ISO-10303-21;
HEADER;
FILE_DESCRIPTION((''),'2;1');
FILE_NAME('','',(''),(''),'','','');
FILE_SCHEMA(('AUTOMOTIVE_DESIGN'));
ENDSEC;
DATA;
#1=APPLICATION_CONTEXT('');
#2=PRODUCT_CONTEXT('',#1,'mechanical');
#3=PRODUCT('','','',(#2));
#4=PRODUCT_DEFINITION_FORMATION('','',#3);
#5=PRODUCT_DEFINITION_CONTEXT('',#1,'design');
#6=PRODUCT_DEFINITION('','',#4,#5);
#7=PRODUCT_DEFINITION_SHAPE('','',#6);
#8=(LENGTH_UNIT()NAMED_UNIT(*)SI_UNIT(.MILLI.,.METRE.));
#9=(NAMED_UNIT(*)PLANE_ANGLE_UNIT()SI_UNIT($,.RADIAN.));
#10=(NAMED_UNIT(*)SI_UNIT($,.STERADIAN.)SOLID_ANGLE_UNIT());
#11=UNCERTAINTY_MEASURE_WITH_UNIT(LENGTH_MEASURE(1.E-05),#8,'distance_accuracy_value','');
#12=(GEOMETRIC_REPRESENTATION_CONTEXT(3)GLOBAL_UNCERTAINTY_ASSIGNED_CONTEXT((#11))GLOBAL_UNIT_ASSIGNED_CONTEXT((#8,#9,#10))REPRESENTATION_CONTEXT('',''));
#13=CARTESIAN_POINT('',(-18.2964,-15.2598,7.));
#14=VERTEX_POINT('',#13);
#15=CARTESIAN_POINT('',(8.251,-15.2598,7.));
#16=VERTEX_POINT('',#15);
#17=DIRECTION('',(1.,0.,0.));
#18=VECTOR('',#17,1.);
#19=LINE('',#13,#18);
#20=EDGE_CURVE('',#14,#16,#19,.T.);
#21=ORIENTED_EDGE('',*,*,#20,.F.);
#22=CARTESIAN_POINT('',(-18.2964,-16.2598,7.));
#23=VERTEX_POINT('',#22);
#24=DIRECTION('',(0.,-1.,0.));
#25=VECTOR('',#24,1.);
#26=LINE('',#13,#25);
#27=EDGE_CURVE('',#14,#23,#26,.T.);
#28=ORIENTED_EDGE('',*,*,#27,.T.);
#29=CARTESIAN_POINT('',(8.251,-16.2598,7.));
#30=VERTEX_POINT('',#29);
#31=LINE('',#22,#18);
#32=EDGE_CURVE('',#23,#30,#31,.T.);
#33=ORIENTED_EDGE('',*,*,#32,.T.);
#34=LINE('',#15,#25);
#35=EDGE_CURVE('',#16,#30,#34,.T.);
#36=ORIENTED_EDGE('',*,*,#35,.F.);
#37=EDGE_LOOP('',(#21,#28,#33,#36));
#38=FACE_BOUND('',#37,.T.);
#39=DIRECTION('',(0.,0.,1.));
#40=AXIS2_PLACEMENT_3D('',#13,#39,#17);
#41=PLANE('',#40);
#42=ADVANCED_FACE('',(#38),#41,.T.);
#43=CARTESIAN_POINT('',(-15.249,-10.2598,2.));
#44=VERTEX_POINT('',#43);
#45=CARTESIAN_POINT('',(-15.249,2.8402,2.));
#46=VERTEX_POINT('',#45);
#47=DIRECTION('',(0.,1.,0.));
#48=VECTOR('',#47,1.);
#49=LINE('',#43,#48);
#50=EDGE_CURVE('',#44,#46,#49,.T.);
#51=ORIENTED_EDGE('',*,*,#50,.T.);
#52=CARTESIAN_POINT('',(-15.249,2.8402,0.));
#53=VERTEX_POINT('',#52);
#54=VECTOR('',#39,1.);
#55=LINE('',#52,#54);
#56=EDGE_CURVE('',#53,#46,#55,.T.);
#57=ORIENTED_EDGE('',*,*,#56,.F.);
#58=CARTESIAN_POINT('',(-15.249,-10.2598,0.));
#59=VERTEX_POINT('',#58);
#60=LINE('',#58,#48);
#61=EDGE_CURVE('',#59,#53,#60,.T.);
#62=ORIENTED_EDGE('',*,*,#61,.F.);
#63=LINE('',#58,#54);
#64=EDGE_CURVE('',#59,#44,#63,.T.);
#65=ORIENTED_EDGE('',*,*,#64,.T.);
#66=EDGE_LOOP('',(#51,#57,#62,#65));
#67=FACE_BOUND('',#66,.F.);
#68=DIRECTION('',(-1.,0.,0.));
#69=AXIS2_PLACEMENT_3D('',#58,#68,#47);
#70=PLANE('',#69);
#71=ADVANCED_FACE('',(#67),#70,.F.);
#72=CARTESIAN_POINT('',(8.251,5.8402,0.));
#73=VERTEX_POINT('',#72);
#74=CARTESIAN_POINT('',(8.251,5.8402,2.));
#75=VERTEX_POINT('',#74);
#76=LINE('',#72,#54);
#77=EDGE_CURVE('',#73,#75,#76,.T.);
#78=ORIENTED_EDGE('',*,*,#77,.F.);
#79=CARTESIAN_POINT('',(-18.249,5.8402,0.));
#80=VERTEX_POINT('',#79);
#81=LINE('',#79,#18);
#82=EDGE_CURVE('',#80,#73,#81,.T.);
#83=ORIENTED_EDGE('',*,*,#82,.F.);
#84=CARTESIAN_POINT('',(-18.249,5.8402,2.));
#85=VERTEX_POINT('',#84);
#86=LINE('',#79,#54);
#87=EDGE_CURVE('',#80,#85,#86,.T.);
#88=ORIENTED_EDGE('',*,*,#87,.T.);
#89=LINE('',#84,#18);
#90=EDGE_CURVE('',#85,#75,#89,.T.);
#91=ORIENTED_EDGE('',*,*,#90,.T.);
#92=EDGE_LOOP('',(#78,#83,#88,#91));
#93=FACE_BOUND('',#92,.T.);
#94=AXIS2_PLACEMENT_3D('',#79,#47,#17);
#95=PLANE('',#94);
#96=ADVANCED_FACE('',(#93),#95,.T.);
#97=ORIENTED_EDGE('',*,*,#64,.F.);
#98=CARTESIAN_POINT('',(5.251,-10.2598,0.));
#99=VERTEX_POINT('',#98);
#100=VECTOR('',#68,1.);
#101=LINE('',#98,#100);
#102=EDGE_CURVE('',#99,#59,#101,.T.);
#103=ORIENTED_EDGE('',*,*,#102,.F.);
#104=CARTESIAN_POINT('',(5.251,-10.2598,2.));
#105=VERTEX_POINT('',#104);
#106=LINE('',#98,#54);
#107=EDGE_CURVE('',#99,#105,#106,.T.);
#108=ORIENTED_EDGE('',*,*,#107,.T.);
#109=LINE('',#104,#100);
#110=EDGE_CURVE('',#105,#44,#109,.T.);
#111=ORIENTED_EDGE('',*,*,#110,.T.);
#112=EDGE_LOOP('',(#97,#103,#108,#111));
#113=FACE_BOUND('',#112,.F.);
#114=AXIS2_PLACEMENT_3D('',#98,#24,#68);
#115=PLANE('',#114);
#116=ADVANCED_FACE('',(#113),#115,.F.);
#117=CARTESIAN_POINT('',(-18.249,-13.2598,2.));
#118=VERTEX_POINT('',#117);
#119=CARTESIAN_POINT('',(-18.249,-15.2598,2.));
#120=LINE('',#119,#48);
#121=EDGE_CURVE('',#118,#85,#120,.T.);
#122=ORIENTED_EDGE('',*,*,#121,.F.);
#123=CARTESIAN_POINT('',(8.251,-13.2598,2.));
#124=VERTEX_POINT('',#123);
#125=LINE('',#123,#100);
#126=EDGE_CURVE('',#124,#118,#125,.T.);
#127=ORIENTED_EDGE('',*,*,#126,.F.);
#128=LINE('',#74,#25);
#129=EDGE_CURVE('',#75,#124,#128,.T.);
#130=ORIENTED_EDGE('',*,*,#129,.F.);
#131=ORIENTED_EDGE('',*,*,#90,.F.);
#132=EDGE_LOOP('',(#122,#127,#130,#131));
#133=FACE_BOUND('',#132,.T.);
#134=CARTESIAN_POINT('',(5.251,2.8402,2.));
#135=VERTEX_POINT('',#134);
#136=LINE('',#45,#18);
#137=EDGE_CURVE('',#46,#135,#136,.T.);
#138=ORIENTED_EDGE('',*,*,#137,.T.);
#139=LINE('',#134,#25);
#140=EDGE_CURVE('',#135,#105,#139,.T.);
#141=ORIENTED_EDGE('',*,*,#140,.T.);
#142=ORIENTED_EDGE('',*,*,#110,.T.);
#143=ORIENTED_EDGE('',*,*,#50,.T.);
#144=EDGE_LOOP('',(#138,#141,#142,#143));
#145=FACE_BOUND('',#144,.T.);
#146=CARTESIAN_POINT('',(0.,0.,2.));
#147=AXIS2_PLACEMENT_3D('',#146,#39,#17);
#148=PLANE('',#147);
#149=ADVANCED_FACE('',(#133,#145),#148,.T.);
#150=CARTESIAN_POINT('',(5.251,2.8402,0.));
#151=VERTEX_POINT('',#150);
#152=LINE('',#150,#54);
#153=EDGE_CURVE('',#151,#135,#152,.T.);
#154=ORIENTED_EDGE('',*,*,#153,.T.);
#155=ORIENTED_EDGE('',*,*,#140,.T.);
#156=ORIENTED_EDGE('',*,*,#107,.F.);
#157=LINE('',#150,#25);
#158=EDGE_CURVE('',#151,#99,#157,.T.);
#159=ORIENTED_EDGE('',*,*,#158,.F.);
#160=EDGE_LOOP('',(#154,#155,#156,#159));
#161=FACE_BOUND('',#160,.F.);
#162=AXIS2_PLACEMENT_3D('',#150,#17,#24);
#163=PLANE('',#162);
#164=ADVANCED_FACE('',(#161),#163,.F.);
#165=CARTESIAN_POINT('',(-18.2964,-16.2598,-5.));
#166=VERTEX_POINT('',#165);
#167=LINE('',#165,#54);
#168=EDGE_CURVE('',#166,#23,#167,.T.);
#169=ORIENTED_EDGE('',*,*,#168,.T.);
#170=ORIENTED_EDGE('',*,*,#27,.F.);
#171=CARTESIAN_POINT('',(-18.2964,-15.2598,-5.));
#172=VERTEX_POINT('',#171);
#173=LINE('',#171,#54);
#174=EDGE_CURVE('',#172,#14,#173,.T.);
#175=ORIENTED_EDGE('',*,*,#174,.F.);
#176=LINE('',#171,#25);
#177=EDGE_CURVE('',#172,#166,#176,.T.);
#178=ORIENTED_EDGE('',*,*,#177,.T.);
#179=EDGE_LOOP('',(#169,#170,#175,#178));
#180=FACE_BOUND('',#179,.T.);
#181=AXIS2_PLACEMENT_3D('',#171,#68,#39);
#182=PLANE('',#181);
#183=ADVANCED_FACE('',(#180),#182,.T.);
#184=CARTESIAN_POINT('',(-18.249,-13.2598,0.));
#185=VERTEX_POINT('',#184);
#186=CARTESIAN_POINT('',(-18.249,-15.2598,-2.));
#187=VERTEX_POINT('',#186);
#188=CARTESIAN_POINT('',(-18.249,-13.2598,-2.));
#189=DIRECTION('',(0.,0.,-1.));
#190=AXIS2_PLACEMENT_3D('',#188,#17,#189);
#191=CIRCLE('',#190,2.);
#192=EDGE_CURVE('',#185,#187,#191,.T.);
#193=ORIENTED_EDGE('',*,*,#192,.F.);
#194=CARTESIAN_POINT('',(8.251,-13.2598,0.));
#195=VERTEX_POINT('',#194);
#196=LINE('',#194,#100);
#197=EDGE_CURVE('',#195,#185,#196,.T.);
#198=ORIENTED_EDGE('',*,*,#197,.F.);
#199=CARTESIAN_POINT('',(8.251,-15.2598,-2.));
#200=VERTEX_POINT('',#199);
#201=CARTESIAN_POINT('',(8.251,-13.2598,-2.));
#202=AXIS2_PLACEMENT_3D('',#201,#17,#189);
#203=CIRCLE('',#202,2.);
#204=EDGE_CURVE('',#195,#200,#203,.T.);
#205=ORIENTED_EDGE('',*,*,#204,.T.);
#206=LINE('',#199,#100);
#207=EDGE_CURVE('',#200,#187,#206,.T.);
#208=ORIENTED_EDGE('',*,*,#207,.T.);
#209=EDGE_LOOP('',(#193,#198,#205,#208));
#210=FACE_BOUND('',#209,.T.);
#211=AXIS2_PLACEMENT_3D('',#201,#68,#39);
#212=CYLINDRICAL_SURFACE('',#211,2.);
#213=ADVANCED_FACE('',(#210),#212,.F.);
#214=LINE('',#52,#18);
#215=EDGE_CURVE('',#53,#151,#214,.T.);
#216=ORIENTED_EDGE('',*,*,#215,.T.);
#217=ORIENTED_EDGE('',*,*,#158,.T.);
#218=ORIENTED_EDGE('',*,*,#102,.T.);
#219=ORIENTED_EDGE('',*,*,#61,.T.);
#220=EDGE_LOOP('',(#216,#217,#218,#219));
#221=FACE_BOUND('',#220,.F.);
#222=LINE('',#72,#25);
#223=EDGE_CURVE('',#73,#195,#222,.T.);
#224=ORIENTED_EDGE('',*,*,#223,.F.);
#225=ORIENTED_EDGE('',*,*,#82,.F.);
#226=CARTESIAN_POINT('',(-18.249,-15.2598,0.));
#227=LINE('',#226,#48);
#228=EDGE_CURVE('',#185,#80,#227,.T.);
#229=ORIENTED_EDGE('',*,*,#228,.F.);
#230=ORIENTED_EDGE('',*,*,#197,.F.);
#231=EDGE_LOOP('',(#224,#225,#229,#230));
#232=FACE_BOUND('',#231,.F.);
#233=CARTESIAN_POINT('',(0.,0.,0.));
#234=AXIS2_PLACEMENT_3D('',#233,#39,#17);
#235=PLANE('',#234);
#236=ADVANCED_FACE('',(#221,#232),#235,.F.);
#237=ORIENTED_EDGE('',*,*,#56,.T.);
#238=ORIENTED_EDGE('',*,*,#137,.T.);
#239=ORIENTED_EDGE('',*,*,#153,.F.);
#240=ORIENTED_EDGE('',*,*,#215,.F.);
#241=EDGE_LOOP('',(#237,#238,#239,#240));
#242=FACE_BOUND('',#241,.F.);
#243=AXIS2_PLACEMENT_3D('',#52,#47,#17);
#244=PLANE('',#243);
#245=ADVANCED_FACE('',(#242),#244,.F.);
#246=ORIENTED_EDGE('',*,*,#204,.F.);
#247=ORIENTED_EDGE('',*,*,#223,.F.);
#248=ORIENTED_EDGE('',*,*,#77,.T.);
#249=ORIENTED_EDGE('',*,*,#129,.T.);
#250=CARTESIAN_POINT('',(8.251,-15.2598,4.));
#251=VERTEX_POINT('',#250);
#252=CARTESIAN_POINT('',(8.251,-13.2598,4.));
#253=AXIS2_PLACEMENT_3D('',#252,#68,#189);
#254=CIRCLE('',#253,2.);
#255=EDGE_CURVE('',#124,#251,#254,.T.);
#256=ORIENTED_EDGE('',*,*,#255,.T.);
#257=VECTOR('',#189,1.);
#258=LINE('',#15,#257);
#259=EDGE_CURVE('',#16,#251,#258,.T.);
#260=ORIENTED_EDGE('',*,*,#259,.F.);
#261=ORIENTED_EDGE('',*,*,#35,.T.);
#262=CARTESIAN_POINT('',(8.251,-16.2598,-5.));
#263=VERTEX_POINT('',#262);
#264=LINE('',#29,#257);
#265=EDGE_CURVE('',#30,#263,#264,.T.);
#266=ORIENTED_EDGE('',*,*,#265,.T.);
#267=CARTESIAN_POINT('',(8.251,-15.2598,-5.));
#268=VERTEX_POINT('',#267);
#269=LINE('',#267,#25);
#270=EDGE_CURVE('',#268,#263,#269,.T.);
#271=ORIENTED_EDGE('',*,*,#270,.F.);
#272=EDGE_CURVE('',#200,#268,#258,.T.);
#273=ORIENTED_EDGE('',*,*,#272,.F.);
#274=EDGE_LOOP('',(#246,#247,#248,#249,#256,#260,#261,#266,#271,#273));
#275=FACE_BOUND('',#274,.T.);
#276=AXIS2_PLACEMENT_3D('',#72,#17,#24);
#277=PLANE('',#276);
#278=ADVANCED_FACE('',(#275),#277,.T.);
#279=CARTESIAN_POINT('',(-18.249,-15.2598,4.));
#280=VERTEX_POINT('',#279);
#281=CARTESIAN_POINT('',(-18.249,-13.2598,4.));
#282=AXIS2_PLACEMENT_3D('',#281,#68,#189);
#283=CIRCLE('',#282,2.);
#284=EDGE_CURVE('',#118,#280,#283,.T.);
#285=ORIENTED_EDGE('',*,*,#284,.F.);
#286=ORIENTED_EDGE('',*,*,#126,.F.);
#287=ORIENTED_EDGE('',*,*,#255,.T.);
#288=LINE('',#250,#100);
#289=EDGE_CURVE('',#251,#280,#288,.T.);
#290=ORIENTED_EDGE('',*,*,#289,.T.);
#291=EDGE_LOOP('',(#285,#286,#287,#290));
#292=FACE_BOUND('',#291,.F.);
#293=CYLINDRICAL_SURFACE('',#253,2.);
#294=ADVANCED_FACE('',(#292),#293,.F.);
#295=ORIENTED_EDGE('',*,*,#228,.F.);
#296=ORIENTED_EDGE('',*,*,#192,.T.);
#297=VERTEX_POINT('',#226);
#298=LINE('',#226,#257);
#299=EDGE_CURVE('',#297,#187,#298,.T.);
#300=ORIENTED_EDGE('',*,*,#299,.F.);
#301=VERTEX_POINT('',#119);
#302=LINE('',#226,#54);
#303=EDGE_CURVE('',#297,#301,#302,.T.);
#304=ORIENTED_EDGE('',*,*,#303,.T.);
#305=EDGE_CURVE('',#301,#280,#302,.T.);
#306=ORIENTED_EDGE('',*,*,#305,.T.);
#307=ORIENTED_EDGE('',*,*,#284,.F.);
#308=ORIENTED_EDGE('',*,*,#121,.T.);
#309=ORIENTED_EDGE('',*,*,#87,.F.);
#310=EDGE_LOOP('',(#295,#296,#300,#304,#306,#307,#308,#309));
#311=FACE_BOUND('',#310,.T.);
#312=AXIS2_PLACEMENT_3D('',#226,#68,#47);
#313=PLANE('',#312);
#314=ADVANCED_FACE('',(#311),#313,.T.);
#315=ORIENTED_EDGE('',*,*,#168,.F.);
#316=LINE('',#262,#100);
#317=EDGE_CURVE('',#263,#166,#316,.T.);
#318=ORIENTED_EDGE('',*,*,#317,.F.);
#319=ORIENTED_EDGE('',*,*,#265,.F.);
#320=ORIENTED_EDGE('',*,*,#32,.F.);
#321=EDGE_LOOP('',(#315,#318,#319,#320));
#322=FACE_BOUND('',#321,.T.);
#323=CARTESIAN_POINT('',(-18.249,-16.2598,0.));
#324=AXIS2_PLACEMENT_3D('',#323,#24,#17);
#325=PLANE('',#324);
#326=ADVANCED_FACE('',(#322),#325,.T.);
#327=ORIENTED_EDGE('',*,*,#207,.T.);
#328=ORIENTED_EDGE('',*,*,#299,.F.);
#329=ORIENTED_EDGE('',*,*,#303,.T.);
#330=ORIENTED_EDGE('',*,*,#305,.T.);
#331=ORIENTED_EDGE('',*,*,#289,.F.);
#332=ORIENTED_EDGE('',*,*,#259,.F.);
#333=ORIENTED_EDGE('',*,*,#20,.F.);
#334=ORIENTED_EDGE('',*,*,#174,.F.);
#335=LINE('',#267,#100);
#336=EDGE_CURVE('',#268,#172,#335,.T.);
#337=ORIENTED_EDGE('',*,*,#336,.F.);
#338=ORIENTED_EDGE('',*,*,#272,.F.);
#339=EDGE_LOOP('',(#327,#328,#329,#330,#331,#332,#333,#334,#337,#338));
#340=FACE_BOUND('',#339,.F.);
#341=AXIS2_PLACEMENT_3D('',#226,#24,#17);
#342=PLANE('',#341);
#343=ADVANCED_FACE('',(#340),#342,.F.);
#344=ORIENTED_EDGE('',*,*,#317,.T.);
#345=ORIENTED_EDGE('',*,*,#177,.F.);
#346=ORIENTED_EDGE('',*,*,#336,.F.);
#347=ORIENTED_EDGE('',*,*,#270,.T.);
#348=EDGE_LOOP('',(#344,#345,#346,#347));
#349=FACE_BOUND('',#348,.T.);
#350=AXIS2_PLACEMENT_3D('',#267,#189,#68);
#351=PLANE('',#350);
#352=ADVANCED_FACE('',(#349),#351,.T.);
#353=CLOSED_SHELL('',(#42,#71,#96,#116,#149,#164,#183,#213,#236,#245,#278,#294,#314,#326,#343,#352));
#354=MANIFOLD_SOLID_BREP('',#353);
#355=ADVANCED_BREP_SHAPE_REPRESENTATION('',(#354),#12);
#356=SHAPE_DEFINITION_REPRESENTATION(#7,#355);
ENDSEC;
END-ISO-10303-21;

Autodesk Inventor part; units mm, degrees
ref_plane "YZ Plane" through (0, 0, 0) normal (1, 0, 0) x (0, 1, 0)
ref_plane "XZ Plane" through (0, 0, 0) normal (0, 1, 0) x (-1, 0, 0)
ref_plane "XY Plane" through (0, 0, 0) normal (0, 0, 1) x (1, 0, 0)
sketch "Sketch1" plane through (0, 0, 0) normal (0, 0, 1) x (1, 0, 0)
  line L0 (-18.249, 5.8402) -> (8.251, 5.8402)
  line L1 (8.251, 5.8402) -> (8.251, -15.2598)
  line L2 (8.251, -15.2598) -> (-18.249, -15.2598)
  line L3 (-18.249, -15.2598) -> (-18.249, 5.8402)
  line L4 (-15.249, 2.8402) -> (5.251, 2.8402)
  line L5 (5.251, 2.8402) -> (5.251, -10.2598)
  line L6 (5.251, -10.2598) -> (-15.249, -10.2598)
  line L7 (-15.249, -10.2598) -> (-15.249, 2.8402)
  point P0 (0, 0)
  dimension "d0" = 20.5
  dimension "d1" = 13.1
  dimension "d2" = 3
  dimension "d3" = 3
  dimension "d4" = 5
  dimension "d5" = 3
extrude "Extrusion1" add sketch "Sketch1" along normal blind 2
sketch "Sketch2" plane through (-18.249, -15.2598, 0) normal (0, -1, 0) x (1, 0, 0)
  line L0 (-0.0474, 7) -> (26.5, 7)
  line L1 (26.5, 7) -> (26.5, -5)
  line L2 (26.5, -5) -> (-0.0474, -5)
  line L3 (-0.0474, -5) -> (-0.0474, 7)
  line L4 (0, 2) -> (26.5, 2) projected
  line L5 (26.5, 0) -> (0, 0) projected
  line L6 (26.5, 0) -> (26.5, 2) projected
  point P0 (18.249, 0)
  dimension "d8" = 5
  dimension "d9" = 5
  dimension "d10" = 0
extrude "Extrusion2" add sketch "Sketch2" along normal blind 1
fillet "Fillet1" radius 2 2 edges at (-4.999, -15.2598, 2) (-4.999, -15.2598, 0)
properties part number "switch mount test"
